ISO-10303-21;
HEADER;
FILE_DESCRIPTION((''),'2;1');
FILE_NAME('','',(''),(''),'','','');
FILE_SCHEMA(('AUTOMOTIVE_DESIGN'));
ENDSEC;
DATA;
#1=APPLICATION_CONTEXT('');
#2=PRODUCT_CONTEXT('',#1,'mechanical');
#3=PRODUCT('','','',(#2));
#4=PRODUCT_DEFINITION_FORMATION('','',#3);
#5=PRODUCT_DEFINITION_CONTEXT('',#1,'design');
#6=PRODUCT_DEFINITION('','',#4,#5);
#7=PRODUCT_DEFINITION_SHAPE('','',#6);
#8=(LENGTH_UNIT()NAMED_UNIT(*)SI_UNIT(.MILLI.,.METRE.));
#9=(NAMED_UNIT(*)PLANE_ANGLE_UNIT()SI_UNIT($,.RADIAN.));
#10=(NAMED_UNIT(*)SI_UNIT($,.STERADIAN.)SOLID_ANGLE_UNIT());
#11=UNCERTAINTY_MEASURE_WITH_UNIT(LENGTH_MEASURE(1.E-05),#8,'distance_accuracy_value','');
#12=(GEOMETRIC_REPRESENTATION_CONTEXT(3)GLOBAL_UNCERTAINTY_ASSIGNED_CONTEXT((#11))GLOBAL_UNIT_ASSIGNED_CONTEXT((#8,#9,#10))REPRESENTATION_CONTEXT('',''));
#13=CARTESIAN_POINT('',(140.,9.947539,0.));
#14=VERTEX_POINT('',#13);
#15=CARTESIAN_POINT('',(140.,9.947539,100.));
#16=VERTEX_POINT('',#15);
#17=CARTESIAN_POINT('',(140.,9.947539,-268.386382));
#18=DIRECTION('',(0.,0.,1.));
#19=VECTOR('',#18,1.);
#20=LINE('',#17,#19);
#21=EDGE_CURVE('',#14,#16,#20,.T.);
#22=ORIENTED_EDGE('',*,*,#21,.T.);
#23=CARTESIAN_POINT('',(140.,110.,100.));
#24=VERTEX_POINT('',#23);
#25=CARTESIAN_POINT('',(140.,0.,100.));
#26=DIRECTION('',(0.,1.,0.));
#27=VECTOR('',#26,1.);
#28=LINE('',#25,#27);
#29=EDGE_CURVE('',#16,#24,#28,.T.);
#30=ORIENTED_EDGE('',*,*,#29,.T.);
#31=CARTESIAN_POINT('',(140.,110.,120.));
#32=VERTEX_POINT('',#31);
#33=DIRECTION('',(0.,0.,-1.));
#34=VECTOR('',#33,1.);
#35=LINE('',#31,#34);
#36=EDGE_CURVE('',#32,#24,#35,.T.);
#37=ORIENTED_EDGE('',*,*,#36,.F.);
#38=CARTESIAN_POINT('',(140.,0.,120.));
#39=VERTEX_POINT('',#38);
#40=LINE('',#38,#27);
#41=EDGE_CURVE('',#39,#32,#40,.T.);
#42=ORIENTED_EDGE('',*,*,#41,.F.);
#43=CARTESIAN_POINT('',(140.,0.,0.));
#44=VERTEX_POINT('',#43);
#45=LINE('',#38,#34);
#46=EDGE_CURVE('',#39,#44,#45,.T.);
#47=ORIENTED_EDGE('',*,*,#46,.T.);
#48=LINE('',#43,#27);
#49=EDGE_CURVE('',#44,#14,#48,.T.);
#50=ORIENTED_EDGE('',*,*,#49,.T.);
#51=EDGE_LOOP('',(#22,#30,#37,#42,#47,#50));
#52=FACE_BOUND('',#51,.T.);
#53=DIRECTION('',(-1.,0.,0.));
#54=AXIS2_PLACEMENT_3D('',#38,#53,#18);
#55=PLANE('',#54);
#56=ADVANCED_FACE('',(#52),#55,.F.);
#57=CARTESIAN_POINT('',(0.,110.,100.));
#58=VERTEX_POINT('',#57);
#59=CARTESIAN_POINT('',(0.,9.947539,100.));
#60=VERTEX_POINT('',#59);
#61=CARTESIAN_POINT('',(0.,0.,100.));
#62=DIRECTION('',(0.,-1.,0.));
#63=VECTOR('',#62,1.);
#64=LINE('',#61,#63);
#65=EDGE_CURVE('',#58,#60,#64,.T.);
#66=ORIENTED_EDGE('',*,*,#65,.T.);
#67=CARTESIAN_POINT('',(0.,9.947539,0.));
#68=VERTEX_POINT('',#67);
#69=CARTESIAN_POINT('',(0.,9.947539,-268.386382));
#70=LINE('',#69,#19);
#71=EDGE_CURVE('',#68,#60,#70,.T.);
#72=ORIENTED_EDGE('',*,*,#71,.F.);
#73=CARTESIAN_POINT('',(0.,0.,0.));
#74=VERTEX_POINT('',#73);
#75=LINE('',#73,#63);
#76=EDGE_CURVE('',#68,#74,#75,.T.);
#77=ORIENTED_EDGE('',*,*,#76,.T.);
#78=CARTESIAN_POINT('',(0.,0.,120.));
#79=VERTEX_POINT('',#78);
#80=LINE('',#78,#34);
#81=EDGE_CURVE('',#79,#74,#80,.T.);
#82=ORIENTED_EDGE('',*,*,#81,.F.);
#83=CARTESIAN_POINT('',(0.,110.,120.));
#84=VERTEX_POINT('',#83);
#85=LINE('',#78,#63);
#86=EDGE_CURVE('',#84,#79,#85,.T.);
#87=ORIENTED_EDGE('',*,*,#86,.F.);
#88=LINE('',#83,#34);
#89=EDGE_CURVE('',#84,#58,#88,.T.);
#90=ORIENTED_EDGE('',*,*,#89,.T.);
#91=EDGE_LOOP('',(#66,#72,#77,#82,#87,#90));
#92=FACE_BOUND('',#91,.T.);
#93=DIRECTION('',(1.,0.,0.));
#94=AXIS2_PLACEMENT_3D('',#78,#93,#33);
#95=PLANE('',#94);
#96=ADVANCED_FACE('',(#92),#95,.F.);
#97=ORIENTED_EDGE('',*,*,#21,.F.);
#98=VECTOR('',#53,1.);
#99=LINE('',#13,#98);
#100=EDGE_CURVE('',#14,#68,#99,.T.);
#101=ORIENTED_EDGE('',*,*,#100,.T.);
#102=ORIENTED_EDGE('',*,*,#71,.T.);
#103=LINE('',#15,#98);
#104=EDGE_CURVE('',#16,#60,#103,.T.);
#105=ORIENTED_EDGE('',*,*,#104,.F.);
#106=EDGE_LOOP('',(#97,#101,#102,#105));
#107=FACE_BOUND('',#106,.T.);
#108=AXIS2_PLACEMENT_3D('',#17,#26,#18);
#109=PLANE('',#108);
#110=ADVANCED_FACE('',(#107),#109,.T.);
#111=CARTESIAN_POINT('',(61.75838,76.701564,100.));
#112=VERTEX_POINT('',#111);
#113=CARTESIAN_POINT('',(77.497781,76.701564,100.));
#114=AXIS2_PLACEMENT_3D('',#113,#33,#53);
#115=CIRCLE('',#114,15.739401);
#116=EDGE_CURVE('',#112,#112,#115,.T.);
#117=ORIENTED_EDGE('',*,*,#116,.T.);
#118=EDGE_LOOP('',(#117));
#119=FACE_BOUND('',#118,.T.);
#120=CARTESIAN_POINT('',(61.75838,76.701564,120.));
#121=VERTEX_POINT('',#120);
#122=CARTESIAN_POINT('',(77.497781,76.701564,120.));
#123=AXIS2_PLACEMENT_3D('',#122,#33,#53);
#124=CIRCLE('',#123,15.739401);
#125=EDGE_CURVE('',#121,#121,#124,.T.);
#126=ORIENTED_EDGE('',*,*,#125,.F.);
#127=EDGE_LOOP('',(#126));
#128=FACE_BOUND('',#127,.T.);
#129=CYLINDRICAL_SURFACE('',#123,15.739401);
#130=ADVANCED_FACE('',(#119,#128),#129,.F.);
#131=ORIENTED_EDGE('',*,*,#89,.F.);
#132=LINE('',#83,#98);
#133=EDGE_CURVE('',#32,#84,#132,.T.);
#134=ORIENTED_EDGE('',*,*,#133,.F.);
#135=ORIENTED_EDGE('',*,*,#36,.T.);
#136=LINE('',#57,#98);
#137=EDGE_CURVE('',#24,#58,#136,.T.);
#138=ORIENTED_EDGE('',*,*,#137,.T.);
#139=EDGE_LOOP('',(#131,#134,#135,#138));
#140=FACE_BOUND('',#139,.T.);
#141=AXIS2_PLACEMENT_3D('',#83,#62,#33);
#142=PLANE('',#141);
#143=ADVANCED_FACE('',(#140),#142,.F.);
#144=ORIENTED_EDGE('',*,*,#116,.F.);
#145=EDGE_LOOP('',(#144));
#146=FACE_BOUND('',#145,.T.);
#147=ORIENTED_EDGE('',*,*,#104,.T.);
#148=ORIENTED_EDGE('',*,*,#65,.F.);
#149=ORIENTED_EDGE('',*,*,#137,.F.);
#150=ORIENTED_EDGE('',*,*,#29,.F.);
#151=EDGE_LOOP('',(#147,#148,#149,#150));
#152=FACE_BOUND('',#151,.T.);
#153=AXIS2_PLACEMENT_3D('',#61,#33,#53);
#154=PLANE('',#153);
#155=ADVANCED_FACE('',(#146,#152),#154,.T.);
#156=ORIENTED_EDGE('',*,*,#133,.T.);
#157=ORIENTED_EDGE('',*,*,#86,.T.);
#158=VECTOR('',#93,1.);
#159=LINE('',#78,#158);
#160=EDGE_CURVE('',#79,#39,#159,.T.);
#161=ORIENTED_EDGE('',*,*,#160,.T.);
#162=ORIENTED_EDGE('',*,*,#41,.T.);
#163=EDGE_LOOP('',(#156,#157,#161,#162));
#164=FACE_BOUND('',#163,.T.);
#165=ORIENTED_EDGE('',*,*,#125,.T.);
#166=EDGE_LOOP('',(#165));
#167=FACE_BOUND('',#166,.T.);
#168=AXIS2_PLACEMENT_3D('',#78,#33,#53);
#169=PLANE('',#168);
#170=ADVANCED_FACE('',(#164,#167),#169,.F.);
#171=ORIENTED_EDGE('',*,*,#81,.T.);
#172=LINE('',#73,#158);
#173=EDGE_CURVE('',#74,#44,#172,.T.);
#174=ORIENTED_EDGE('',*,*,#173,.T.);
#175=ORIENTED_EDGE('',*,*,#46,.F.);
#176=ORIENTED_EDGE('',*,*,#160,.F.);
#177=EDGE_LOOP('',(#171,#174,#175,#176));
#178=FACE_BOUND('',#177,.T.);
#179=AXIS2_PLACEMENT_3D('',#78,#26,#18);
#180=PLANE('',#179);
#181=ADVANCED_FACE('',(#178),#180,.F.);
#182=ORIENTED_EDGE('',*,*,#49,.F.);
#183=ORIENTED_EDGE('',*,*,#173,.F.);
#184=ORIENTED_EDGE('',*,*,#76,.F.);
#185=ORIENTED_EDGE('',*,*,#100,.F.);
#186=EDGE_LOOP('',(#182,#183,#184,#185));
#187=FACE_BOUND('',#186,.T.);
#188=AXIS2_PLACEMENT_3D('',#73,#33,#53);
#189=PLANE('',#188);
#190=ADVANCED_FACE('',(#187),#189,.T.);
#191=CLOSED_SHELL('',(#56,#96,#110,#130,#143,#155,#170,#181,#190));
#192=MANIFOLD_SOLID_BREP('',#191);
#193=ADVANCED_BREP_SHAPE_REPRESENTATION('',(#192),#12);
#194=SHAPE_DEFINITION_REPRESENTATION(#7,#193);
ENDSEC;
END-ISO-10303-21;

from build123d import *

# Parameters (mm, degrees)
SKETCH1_W               = 140
SKETCH1_H               = 110
BOSS_EXTRUDE1_DEPTH     = 120
CUT_EXTRUDE1_DEPTH      = 215.709105536
CUT_EXTRUDE1_DEPTH_BACK = 100
SKETCH3_R               = 15.739400913
CUT_EXTRUDE2_DEPTH      = 205.205778567


with BuildPart() as part:
    # Sketch1 → Boss-Extrude1 (new body)
    with BuildSketch(Plane.XY):
        with Locations((70, 55)):
            Rectangle(SKETCH1_W, SKETCH1_H)
    extrude(amount=BOSS_EXTRUDE1_DEPTH)

    # Sketch2 → Cut-Extrude1 (cut, two sides: drawn at the far end of the back side and taken through both)
    with BuildSketch(Plane(origin=(0, 0, 0), x_dir=(-1, 0, 0), z_dir=(0, 0, -1)).offset(-CUT_EXTRUDE1_DEPTH_BACK)):
        Polygon((-494.154006157, 9.947538818), (-140, 9.947538818), (0, 9.947538818), (354.154006157, 9.947538818), (354.154006157, 718.255551133), (-494.154006157, 718.255551133), align=None)
    extrude(amount=CUT_EXTRUDE1_DEPTH + CUT_EXTRUDE1_DEPTH_BACK, mode=Mode.SUBTRACT)

    # Sketch3 → Cut-Extrude2 (cut, through all)
    with BuildSketch(Plane(origin=(0, 0, 100), x_dir=(-1, 0, 0), z_dir=(0, 0, -1))):
        with Locations((-77.497780525, 76.701563568)):
            Circle(SKETCH3_R)
    extrude(amount=-CUT_EXTRUDE2_DEPTH, mode=Mode.SUBTRACT)


solid = part.part
